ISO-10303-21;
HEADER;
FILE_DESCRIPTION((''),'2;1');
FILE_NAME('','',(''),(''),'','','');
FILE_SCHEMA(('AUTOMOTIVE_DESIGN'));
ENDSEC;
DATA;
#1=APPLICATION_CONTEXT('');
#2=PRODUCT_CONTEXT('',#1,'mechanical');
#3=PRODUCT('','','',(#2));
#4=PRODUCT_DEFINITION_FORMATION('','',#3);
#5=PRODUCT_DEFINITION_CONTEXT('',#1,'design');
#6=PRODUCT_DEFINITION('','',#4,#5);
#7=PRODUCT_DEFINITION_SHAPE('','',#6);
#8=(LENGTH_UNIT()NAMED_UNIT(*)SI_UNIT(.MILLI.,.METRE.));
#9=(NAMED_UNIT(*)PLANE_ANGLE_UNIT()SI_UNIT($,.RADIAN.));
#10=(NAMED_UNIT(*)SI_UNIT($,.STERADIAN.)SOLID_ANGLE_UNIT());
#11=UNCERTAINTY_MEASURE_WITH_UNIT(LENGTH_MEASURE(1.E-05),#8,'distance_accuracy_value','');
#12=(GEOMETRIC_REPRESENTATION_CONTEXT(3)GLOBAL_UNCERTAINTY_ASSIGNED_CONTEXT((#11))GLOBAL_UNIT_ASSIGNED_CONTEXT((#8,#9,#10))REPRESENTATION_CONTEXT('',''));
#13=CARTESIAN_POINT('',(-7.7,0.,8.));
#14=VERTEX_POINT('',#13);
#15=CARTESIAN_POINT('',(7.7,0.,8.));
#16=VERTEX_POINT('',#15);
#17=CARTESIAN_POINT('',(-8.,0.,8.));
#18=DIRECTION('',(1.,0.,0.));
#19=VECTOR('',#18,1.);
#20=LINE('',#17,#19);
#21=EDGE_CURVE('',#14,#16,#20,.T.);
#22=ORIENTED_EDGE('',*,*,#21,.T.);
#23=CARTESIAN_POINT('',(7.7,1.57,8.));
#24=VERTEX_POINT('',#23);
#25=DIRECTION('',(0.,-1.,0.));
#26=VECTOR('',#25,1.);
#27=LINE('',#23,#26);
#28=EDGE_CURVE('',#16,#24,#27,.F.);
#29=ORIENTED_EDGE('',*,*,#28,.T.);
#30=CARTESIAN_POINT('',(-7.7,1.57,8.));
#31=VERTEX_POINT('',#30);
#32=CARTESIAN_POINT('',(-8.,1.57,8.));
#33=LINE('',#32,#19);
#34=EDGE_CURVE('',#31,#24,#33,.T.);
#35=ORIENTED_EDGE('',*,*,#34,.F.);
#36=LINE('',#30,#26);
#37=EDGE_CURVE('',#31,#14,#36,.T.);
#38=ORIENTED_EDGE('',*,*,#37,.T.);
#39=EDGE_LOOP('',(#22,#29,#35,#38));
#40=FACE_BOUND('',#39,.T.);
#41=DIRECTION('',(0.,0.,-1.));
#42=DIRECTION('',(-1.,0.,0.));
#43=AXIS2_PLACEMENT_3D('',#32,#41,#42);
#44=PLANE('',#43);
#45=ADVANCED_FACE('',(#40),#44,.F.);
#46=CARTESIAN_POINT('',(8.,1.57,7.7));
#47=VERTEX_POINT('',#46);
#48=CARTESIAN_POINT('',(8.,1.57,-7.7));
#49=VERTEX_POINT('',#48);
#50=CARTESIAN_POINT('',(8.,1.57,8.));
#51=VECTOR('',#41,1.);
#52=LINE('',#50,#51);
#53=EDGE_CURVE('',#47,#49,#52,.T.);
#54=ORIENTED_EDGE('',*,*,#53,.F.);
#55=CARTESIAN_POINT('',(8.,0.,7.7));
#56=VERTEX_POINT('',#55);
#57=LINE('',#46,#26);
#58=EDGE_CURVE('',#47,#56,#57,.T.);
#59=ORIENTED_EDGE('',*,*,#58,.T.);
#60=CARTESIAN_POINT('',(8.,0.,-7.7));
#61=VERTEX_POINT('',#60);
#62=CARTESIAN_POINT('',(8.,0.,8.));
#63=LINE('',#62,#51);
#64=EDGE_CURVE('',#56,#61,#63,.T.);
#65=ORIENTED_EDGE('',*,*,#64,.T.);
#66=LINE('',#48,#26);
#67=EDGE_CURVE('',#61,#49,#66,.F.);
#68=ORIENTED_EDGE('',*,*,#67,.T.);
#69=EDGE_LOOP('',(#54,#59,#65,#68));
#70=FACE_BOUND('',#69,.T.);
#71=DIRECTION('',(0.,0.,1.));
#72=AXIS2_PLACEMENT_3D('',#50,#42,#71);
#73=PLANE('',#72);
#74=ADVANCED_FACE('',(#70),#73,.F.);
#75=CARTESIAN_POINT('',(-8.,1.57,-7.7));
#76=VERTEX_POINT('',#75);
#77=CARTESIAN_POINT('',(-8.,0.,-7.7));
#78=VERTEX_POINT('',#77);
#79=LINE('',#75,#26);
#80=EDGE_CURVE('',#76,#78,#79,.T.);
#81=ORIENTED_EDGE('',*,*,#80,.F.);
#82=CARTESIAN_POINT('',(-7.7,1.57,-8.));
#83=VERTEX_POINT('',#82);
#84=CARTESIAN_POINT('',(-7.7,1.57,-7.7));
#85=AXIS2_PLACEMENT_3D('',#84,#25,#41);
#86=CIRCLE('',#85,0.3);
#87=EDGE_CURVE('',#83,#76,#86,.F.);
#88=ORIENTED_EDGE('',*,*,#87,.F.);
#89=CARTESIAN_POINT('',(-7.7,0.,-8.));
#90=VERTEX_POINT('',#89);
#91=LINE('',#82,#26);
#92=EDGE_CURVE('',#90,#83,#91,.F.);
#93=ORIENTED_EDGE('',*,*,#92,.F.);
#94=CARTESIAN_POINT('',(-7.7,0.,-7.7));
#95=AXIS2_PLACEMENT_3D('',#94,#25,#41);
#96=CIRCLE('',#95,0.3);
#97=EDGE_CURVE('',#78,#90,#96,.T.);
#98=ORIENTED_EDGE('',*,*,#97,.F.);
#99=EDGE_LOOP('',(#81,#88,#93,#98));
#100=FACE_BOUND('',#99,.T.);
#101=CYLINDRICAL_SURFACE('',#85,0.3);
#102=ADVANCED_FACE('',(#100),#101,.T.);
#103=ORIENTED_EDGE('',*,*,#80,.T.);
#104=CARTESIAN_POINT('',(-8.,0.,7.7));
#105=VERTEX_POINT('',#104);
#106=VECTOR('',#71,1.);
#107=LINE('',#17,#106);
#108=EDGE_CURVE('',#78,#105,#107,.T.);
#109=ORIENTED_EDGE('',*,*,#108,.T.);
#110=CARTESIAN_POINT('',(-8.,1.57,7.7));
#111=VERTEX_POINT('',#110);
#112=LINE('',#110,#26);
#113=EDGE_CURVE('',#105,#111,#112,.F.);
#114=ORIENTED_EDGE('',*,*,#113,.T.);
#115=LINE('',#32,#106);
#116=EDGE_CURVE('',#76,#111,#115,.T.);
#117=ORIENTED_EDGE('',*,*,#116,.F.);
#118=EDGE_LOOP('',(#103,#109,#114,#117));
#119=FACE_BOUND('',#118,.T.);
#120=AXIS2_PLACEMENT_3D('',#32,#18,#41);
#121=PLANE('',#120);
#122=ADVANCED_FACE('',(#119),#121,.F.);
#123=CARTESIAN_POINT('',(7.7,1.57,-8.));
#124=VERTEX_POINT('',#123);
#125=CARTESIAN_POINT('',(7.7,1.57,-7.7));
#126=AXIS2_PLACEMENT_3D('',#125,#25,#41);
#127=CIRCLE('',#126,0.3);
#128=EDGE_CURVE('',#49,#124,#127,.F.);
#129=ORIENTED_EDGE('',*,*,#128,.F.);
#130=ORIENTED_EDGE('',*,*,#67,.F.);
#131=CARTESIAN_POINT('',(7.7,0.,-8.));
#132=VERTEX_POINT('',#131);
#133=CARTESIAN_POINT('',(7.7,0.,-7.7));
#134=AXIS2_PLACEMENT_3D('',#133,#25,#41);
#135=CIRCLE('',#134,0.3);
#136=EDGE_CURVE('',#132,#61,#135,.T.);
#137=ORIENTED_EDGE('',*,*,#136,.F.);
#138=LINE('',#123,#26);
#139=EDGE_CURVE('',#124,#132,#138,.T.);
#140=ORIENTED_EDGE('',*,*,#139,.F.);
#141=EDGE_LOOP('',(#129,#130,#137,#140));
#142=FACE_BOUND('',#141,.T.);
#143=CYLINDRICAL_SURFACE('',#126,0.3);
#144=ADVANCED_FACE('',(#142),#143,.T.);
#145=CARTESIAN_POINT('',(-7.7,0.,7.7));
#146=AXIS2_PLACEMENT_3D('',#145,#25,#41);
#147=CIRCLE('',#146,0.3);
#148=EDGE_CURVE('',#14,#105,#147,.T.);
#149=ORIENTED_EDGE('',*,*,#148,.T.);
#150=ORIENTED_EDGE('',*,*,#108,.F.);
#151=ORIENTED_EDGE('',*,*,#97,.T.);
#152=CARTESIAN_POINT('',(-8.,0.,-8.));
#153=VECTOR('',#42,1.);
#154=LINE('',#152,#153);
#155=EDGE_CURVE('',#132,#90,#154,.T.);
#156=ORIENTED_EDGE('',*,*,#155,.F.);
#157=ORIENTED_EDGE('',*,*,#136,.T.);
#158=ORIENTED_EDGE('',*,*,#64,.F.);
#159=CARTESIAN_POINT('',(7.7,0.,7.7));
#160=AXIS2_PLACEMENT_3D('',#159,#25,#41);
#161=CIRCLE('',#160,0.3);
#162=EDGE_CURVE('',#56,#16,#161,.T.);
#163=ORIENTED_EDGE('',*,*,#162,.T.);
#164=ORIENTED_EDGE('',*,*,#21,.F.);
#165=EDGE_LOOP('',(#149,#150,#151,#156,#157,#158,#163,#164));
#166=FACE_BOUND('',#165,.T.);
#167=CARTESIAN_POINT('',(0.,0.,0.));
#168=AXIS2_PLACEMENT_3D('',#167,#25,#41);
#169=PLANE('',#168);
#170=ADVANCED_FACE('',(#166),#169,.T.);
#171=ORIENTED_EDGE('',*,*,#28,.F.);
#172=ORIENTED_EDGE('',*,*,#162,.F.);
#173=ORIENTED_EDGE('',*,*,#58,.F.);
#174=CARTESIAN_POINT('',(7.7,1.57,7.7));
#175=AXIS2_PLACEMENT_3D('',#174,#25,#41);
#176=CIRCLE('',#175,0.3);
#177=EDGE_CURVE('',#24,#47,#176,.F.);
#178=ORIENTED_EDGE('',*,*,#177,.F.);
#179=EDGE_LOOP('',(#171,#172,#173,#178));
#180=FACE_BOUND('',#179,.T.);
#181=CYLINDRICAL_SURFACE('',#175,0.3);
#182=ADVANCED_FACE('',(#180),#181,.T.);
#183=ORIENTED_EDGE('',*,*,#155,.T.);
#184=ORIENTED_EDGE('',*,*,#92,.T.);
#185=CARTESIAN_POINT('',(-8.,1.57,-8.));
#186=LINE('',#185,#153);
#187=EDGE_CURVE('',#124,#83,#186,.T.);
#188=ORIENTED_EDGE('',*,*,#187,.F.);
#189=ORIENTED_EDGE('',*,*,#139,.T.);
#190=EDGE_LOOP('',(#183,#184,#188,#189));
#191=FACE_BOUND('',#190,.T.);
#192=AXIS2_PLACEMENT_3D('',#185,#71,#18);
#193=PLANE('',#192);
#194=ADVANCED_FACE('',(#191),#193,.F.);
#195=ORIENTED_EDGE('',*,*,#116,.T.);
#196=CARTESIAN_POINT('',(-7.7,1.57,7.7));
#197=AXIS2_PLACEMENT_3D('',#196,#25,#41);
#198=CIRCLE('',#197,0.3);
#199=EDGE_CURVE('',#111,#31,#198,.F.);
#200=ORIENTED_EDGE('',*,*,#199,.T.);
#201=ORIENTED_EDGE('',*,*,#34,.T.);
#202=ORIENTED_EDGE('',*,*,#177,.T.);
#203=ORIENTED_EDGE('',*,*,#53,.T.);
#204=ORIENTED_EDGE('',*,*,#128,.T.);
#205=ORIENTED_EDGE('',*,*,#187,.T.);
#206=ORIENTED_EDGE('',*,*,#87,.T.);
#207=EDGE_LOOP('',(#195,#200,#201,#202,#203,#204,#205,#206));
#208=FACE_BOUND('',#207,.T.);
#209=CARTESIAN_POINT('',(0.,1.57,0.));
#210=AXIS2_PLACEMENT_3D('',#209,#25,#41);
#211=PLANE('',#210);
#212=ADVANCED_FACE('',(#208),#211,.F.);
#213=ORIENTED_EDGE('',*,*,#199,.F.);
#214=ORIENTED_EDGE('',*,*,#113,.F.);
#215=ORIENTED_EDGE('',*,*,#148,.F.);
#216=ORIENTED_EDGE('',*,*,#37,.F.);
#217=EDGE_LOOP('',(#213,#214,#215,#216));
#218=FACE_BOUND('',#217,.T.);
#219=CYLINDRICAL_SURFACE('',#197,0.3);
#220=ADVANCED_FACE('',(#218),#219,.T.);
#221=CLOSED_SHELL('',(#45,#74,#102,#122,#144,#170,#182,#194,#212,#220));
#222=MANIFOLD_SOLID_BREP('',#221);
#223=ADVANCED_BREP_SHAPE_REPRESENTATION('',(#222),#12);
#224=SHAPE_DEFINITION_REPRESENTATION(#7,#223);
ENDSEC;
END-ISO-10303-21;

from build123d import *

# Parameters (mm, degrees)
SKETCH1_W           = 16
SKETCH1_H           = 16
BOSS_EXTRUDE1_DEPTH = 1.57
FILLET1_R           = 0.3


with BuildPart() as part:
    # Sketch1 → Boss-Extrude1 (new body)
    with BuildSketch(Plane(origin=(0, 0, 0), x_dir=(1, 0, 0), z_dir=(0, 1, 0))):
        Rectangle(SKETCH1_W, SKETCH1_H)
    extrude(amount=BOSS_EXTRUDE1_DEPTH)

    # Fillet1
    fillet1_edges = [part.edges().sort_by_distance(p)[0] for p in [
        (8, 0.785, 8),
        (-8, 0.785, 8),
        (-8, 0.785, -8),
        (8, 0.785, -8),
    ]]
    fillet(fillet1_edges, radius=FILLET1_R)


solid = part.part
